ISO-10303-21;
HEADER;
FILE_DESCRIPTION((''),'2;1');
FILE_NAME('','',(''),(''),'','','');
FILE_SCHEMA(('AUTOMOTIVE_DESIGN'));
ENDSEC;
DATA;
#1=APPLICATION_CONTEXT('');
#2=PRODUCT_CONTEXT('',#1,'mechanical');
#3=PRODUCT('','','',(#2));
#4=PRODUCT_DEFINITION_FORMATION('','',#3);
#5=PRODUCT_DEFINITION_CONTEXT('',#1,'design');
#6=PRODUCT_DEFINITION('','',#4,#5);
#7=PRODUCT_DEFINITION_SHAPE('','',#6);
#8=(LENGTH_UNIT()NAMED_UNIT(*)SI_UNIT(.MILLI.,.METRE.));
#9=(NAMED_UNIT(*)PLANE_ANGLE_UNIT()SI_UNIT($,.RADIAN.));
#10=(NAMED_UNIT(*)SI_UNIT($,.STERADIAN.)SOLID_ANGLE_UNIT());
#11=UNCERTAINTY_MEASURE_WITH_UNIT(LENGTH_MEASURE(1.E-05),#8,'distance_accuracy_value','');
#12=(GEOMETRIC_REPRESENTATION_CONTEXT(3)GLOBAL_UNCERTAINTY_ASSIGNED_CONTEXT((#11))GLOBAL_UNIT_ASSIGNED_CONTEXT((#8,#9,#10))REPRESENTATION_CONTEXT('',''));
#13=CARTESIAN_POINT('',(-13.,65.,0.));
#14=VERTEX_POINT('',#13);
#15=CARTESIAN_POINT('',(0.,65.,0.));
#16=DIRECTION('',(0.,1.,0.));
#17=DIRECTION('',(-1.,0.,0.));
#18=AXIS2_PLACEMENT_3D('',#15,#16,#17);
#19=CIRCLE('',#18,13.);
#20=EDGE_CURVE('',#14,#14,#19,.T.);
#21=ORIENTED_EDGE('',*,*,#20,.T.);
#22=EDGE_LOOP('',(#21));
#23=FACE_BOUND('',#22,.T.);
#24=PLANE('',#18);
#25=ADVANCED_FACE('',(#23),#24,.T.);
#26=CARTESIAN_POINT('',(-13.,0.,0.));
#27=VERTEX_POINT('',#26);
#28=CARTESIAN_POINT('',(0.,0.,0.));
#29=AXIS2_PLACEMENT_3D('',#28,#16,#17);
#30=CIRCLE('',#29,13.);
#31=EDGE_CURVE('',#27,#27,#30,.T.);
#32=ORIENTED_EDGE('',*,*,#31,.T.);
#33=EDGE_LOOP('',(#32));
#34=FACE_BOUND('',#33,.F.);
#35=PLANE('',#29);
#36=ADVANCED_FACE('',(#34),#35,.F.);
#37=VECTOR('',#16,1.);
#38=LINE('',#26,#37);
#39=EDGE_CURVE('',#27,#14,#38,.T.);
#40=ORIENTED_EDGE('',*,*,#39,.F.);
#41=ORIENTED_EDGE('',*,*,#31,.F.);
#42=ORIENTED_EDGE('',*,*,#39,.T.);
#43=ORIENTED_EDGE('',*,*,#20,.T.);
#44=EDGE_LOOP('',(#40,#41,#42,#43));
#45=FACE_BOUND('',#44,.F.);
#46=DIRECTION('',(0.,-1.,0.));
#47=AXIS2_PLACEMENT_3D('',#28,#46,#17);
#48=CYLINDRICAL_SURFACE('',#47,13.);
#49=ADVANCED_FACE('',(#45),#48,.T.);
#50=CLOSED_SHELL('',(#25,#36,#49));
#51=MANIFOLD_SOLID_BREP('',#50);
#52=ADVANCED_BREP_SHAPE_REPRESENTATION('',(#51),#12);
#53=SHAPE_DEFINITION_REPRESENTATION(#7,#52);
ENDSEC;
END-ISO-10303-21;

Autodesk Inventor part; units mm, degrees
ref_plane "YZ Plane" through (0, 0, 0) normal (1, 0, 0) x (0, 1, 0)
ref_plane "XZ Plane" through (0, 0, 0) normal (0, 1, 0) x (-1, 0, 0)
ref_plane "XY Plane" through (0, 0, 0) normal (0, 0, 1) x (1, 0, 0)
sketch "Sketch1" plane through (0, 0, 0) normal (0, 1, 0) x (-1, 0, 0)
  circle A0 centre (0, 0) radius 13
  dimension "d0" = 26
extrude "Extrusion1" add sketch "Sketch1" along normal blind 65
properties part number "26650(Green)"
